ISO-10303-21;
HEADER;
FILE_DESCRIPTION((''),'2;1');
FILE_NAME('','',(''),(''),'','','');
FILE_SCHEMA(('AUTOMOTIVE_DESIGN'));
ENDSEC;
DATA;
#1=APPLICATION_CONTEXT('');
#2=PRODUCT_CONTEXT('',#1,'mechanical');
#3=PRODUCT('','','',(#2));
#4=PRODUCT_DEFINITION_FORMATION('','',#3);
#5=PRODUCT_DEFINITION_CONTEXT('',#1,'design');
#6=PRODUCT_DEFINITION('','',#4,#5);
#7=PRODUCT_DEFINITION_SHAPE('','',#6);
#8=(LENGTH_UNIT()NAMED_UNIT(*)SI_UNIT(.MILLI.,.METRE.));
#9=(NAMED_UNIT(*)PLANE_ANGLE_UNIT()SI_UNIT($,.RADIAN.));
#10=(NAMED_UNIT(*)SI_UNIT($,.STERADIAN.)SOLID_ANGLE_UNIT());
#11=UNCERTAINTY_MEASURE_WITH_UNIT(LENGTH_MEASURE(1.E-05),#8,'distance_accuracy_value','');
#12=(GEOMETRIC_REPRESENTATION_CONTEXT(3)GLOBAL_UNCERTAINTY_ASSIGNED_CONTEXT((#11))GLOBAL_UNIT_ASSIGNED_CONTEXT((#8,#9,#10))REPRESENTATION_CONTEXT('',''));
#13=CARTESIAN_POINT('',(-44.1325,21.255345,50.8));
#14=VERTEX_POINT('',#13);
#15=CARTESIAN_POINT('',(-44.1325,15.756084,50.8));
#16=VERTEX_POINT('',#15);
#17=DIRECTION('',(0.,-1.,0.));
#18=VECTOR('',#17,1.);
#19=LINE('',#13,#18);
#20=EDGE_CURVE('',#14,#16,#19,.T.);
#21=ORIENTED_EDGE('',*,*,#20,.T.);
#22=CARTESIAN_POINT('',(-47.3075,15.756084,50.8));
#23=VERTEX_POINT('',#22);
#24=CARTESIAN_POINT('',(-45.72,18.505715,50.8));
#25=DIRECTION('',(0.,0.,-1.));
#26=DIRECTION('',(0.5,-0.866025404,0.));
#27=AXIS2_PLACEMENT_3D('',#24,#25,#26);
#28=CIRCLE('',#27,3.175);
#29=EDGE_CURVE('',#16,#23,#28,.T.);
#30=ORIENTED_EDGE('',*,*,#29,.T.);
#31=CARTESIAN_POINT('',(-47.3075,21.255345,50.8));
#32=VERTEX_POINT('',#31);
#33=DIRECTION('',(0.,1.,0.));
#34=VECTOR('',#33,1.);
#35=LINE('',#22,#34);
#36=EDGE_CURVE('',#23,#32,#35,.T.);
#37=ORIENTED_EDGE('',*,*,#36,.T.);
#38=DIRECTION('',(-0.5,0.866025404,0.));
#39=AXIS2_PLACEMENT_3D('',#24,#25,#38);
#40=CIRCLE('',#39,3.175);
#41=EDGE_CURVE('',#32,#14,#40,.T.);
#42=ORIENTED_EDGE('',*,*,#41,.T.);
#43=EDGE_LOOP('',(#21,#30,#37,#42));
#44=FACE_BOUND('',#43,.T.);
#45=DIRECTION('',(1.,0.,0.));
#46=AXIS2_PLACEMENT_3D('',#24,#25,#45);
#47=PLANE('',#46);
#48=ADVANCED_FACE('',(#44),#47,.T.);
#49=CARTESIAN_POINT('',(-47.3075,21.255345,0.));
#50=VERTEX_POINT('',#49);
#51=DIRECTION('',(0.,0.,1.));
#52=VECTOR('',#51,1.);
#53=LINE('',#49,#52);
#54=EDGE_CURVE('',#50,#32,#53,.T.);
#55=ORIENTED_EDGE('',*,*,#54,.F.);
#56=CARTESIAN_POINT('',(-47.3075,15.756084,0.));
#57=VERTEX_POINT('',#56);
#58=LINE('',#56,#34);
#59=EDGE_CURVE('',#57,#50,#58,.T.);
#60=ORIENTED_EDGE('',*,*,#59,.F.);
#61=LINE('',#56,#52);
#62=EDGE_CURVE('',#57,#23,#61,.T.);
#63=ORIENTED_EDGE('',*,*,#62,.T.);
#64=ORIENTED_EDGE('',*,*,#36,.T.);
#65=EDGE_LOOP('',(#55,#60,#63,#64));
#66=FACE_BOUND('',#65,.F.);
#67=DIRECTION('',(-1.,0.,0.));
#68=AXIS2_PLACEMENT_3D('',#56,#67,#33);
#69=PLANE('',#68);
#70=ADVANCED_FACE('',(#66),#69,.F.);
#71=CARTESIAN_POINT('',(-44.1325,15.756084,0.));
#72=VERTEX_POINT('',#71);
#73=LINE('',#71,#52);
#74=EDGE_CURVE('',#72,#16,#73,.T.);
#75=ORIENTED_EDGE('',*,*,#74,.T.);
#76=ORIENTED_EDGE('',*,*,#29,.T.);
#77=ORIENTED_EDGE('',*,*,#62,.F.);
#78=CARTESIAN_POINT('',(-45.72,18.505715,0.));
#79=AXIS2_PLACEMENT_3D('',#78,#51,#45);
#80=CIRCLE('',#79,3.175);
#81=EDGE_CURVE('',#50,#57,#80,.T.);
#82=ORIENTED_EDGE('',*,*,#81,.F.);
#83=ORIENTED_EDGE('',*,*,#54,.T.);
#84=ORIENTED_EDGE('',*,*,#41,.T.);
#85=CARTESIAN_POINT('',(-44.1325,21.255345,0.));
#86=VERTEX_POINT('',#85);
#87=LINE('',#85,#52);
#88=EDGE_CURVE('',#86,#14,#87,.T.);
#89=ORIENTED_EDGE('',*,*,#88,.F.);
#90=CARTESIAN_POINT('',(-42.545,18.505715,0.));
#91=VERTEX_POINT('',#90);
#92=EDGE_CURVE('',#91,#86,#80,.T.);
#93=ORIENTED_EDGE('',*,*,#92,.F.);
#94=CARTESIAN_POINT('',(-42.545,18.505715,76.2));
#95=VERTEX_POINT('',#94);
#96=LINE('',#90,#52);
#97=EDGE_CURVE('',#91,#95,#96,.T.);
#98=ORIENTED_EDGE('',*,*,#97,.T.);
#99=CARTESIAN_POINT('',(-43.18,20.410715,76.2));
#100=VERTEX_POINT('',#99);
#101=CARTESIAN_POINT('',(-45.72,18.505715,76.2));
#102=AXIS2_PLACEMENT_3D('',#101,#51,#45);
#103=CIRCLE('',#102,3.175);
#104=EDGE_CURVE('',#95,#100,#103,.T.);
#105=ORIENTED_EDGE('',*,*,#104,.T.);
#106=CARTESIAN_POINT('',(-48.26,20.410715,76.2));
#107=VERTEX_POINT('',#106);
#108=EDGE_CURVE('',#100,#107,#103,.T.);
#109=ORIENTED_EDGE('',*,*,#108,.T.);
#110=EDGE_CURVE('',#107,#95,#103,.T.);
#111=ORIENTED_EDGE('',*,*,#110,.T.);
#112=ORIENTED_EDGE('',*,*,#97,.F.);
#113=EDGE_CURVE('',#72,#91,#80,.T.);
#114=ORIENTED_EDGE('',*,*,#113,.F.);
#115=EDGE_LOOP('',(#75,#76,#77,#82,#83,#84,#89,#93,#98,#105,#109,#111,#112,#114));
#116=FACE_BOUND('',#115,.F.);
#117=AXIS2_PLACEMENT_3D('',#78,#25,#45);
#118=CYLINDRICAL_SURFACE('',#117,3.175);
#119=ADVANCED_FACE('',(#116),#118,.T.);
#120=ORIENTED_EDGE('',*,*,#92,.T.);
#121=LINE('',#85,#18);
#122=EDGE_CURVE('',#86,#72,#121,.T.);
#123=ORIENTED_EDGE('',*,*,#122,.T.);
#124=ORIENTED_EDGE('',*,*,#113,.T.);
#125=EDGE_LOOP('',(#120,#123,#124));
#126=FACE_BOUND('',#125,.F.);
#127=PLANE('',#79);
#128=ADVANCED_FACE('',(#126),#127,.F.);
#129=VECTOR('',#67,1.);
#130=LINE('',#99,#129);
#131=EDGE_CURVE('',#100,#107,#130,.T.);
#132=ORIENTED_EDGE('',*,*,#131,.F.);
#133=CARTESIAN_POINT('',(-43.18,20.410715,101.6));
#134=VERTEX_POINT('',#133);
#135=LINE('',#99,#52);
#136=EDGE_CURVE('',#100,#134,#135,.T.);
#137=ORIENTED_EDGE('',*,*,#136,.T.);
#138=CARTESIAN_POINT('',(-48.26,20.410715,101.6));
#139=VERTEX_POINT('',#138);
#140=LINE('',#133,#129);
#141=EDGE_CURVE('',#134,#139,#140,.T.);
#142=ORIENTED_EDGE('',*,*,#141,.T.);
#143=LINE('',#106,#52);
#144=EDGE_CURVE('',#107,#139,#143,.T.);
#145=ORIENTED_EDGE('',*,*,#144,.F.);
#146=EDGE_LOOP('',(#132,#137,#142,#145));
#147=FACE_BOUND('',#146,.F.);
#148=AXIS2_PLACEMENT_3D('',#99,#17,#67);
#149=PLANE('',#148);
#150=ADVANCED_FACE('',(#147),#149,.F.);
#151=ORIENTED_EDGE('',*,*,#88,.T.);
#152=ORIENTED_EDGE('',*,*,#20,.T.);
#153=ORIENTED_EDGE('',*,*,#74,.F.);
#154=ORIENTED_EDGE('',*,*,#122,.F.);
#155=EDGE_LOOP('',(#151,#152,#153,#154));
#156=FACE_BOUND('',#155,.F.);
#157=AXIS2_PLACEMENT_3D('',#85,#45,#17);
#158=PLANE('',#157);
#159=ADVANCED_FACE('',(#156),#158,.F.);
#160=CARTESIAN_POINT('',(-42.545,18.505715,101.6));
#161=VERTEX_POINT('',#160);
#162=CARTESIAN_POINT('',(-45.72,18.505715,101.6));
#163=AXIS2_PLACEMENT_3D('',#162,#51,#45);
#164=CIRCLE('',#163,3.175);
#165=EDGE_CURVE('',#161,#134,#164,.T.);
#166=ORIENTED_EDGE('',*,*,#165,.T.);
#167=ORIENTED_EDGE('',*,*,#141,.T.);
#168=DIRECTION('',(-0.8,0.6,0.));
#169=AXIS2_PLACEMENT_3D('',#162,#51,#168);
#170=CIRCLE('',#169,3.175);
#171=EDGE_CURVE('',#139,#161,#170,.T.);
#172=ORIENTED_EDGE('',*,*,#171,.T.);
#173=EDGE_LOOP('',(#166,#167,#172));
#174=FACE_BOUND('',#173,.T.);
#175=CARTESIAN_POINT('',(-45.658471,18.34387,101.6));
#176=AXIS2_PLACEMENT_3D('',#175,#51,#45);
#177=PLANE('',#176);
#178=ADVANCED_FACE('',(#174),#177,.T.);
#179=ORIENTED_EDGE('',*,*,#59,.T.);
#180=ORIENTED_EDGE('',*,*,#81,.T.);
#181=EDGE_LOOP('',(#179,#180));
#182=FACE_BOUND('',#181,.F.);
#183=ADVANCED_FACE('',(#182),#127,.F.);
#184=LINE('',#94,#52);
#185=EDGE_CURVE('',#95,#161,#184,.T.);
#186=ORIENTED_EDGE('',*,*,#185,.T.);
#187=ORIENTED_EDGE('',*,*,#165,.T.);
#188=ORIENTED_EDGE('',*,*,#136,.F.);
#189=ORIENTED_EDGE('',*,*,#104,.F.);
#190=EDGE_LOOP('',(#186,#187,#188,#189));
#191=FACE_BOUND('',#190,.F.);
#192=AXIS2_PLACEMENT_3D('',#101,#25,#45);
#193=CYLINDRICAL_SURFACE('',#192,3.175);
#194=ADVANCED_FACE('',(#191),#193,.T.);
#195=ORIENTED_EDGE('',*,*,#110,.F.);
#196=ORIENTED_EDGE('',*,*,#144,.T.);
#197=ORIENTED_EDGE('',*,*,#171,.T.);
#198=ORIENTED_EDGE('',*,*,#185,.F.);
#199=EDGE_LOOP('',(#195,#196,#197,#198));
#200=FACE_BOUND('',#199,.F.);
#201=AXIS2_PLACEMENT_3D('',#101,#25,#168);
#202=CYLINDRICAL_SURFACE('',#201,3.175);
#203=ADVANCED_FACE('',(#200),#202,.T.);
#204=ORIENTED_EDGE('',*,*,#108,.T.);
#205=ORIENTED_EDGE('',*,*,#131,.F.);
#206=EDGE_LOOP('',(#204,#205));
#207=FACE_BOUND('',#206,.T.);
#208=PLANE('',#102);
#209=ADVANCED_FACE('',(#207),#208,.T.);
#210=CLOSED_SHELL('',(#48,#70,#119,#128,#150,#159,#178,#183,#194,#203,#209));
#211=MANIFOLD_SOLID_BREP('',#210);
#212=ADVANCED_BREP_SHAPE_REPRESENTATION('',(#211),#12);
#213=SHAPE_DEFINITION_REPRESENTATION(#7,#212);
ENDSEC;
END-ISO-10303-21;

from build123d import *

# Parameters (mm, degrees)
F0_R     = 3.175
F1_DEPTH = 76.2
F3_DEPTH = 25.4
F5_DEPTH = 50.8


with BuildPart() as f1:
    # F0 (on Top) → F1 (new body)
    with BuildSketch(Plane.XY):
        with Locations((-45.71999982, 18.5057148337)):
            Circle(F0_R)
    extrude(amount=F1_DEPTH)

    # F2 (on face) → F3 (join)
    with BuildSketch(Plane.XY.offset(76.2)):
        with BuildLine():
            Line((-43.17999982, 20.4107148337), (-48.25999982, 20.4107148337))
            ThreePointArc((-48.25999982, 20.4107148337), (-46.7240229771, 15.4936453624), (-42.54499982, 18.5057148337))
            ThreePointArc((-42.54499982, 18.5057148337), (-42.7079303487, 19.5097379908), (-43.17999982, 20.4107148337))
        make_face()
    extrude(amount=F3_DEPTH)

    # F4 (on face) → F5 (cut)
    with BuildSketch(Plane(origin=(0, 0, 0), x_dir=(1, 0, 0), z_dir=(0, 0, -1))):
        with BuildLine():
            Line((-47.30749982, -15.7560841767), (-47.30749982, -21.2553454908))
            ThreePointArc((-47.30749982, -21.2553454908), (-45.71999982, -21.6807148337), (-44.13249982, -21.2553454908))
            Line((-44.13249982, -21.2553454908), (-44.13249982, -15.7560841767))
            ThreePointArc((-44.13249982, -15.7560841767), (-45.71999982, -15.3307148337), (-47.30749982, -15.7560841767))
        make_face()
    extrude(amount=-F5_DEPTH, mode=Mode.SUBTRACT)


solid = f1.part
